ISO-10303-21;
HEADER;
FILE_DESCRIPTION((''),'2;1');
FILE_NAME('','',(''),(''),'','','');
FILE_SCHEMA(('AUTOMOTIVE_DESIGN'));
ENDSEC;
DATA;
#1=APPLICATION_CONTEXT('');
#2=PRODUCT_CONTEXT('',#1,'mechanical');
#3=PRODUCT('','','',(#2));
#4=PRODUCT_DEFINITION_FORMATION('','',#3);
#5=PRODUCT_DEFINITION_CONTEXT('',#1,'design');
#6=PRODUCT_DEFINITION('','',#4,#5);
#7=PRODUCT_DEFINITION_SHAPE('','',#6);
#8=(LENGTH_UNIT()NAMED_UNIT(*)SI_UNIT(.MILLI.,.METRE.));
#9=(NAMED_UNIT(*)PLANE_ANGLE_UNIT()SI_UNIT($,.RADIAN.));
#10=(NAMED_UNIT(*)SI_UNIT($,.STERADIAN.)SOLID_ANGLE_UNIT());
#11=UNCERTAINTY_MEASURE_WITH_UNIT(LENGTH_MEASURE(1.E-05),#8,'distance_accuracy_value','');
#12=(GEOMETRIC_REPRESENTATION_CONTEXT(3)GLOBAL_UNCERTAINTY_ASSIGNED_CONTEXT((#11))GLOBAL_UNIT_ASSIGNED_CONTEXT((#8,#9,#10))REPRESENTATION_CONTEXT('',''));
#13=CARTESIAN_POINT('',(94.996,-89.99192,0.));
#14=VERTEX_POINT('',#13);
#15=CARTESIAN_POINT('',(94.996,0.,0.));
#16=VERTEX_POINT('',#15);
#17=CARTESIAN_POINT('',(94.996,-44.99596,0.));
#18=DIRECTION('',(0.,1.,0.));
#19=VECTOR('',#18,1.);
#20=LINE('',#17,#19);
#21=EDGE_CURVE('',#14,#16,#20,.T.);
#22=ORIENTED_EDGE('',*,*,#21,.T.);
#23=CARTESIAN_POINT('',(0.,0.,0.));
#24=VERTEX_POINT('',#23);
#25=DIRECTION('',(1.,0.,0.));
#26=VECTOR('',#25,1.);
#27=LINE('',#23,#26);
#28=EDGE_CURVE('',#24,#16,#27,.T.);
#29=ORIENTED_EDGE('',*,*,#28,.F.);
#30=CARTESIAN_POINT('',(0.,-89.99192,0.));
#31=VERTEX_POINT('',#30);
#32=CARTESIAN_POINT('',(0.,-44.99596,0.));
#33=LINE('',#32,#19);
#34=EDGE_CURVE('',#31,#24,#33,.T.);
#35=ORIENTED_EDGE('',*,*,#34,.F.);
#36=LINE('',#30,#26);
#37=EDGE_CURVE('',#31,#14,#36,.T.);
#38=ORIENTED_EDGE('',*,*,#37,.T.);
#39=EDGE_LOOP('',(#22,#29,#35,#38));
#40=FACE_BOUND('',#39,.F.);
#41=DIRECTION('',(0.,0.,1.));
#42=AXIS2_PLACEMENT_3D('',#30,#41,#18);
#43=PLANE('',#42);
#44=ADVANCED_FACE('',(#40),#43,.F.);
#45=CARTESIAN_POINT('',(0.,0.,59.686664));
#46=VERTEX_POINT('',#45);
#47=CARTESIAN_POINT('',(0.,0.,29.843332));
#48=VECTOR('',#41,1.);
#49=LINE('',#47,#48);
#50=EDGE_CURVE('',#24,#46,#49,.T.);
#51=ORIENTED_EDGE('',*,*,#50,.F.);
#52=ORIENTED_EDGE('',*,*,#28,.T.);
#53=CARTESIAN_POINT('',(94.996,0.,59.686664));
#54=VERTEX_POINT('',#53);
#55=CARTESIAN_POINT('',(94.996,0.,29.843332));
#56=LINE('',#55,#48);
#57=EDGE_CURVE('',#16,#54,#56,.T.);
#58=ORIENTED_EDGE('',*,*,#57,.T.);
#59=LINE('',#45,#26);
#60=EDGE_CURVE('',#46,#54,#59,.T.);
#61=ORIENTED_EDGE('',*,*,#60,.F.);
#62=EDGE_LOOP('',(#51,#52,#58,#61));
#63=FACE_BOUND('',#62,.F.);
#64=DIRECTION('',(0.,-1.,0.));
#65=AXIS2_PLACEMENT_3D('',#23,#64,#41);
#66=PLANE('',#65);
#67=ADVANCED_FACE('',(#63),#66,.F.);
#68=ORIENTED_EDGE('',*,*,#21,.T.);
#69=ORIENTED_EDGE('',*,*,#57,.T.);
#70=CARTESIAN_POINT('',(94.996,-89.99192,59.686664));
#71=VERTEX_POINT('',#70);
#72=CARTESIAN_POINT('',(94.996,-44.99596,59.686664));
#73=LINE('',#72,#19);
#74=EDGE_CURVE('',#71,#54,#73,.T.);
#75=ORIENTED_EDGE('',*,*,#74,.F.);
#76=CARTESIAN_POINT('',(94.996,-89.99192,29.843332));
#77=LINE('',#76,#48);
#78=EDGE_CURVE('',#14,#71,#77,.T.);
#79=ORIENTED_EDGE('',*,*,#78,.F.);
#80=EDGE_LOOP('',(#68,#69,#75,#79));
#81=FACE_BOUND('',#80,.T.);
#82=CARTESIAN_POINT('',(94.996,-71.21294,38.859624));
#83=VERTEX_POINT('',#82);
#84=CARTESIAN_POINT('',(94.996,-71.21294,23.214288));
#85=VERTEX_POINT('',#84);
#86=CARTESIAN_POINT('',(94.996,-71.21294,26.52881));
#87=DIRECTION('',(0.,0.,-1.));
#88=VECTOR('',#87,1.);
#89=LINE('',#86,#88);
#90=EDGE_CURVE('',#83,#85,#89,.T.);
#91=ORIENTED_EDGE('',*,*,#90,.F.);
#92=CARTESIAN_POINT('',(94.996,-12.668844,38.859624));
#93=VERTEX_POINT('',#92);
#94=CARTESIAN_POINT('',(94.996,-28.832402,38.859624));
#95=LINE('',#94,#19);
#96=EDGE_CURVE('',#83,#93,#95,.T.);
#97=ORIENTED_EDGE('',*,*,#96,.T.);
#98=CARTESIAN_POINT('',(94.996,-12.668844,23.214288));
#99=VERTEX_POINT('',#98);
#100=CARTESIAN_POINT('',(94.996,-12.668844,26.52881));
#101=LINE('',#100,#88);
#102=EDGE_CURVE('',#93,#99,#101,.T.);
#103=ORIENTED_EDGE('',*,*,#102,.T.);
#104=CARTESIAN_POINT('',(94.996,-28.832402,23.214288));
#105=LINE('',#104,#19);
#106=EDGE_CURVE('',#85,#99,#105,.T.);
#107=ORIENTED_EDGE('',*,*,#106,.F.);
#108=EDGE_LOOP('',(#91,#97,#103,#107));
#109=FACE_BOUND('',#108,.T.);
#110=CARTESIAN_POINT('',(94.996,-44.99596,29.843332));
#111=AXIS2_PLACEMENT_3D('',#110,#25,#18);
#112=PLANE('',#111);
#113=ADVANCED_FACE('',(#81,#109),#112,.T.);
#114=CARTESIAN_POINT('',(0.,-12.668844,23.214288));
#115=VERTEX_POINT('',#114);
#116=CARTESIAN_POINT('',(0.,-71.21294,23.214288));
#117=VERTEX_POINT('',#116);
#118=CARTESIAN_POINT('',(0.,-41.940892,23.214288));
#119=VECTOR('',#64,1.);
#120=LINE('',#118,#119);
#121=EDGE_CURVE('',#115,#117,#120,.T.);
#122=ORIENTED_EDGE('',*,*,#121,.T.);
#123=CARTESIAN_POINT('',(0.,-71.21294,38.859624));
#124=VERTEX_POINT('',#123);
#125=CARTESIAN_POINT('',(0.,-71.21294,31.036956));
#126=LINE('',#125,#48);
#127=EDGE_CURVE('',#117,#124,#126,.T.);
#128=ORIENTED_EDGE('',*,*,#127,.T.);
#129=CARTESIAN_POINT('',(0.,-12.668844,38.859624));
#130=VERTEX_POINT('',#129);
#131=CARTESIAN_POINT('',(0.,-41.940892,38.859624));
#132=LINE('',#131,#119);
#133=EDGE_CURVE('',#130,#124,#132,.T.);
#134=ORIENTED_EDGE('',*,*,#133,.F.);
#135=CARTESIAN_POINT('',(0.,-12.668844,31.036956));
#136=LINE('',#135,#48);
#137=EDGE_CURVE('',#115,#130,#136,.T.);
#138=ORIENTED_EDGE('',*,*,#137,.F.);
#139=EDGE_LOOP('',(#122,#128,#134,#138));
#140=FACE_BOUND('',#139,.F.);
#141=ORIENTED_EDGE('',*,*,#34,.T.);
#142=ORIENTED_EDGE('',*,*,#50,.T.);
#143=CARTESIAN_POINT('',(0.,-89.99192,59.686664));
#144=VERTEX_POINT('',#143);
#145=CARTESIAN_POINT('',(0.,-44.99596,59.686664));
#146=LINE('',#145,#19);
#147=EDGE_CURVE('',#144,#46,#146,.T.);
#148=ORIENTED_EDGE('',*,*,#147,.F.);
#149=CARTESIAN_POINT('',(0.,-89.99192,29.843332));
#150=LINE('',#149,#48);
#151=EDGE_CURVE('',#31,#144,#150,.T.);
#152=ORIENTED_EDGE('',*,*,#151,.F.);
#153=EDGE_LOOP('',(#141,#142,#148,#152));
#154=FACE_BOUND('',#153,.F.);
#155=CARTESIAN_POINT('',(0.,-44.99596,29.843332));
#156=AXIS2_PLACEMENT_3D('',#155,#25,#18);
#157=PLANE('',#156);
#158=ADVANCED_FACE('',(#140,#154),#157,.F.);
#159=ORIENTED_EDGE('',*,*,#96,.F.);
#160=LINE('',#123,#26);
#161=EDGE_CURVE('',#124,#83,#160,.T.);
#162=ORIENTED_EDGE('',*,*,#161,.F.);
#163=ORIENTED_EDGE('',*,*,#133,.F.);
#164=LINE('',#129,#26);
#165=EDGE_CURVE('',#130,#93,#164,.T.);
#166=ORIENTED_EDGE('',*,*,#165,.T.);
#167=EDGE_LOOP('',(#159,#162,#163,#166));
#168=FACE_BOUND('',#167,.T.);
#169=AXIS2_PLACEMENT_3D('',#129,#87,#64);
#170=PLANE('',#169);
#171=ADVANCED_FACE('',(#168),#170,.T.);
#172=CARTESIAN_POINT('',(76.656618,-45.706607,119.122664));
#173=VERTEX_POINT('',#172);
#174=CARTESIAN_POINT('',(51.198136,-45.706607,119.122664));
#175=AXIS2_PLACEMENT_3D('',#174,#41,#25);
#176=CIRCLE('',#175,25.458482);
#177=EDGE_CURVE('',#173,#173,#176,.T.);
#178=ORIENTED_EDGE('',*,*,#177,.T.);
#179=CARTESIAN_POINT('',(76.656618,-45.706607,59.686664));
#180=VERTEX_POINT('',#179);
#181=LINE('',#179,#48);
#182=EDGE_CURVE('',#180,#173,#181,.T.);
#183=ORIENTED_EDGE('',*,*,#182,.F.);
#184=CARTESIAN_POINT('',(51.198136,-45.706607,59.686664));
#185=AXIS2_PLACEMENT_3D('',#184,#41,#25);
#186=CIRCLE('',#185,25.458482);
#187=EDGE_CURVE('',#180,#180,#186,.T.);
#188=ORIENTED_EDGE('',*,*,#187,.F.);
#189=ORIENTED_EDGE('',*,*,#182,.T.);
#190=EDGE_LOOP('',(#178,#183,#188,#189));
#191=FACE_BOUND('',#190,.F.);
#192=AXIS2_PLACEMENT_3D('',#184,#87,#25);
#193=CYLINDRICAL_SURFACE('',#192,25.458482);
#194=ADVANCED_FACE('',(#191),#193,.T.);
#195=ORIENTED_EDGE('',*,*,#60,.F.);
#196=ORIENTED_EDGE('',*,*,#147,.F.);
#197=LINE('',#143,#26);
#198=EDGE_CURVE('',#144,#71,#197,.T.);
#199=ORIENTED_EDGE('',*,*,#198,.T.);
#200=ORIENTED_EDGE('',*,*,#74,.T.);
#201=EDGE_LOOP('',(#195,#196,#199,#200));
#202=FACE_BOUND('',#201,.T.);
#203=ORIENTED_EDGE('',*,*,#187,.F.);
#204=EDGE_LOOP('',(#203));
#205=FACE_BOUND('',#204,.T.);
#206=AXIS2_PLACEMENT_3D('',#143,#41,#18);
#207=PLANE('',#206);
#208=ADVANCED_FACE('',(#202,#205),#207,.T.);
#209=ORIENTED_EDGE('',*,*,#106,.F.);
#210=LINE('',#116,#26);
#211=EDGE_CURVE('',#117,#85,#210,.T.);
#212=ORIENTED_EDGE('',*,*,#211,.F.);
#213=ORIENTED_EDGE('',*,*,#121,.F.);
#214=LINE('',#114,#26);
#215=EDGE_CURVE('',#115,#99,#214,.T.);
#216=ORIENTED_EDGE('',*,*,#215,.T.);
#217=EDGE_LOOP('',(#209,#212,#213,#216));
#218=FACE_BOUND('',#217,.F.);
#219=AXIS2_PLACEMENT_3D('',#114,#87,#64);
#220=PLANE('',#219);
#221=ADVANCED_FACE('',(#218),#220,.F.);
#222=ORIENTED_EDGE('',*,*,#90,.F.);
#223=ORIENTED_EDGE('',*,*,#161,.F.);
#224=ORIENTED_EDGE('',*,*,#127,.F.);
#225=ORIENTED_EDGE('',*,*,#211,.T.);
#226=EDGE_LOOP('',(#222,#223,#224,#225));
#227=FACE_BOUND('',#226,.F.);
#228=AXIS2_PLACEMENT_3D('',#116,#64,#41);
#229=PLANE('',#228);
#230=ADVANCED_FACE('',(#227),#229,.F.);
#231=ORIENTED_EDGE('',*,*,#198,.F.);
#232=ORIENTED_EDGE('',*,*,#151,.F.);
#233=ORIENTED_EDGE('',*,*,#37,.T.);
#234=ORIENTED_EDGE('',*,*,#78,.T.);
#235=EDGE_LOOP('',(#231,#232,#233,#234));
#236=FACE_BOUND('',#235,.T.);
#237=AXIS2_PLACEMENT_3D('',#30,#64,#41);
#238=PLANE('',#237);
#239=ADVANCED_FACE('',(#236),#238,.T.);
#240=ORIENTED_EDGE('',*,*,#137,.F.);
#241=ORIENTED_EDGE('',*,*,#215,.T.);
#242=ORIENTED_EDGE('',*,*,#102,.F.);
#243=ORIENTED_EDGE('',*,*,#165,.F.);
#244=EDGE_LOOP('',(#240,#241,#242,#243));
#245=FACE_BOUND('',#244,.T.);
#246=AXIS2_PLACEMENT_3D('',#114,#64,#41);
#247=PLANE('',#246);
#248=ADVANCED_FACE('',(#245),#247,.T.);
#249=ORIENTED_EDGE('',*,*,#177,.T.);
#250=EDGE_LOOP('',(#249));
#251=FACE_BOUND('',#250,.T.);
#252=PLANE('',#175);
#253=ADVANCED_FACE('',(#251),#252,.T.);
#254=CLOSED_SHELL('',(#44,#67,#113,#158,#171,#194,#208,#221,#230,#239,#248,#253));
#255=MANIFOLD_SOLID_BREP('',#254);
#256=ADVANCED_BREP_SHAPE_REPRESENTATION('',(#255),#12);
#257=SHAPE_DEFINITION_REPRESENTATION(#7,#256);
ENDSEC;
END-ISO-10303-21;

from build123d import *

# Parameters (mm, degrees)
F0_W     = 89.99192
F0_H     = 59.686664
F1_DEPTH = 94.996
F2_R     = 25.458482
F3_DEPTH = 59.436
F4_W     = 58.544096
F4_H     = 15.645336
F5_DEPTH = 116.078


with BuildPart() as f1:
    # F0 (on Right) → F1 (new body)
    with BuildSketch(Plane.YZ):
        with Locations((-44.99596, 29.843332)):
            Rectangle(F0_W, F0_H)
    extrude(amount=F1_DEPTH)

    # F2 (on face) → F3 (join)
    with BuildSketch(Plane.XY.offset(59.686664)):
        with Locations((51.198136, -45.706607)):
            Circle(F2_R)
    extrude(amount=F3_DEPTH)

    # F4 (on face) → F5 (cut)
    with BuildSketch(Plane(origin=(0, 0, 0), x_dir=(0, -1, 0), z_dir=(-1, 0, 0))):
        with Locations((41.940892, 31.036956)):
            Rectangle(F4_W, F4_H)
    extrude(amount=-F5_DEPTH, mode=Mode.SUBTRACT)


solid = f1.part
